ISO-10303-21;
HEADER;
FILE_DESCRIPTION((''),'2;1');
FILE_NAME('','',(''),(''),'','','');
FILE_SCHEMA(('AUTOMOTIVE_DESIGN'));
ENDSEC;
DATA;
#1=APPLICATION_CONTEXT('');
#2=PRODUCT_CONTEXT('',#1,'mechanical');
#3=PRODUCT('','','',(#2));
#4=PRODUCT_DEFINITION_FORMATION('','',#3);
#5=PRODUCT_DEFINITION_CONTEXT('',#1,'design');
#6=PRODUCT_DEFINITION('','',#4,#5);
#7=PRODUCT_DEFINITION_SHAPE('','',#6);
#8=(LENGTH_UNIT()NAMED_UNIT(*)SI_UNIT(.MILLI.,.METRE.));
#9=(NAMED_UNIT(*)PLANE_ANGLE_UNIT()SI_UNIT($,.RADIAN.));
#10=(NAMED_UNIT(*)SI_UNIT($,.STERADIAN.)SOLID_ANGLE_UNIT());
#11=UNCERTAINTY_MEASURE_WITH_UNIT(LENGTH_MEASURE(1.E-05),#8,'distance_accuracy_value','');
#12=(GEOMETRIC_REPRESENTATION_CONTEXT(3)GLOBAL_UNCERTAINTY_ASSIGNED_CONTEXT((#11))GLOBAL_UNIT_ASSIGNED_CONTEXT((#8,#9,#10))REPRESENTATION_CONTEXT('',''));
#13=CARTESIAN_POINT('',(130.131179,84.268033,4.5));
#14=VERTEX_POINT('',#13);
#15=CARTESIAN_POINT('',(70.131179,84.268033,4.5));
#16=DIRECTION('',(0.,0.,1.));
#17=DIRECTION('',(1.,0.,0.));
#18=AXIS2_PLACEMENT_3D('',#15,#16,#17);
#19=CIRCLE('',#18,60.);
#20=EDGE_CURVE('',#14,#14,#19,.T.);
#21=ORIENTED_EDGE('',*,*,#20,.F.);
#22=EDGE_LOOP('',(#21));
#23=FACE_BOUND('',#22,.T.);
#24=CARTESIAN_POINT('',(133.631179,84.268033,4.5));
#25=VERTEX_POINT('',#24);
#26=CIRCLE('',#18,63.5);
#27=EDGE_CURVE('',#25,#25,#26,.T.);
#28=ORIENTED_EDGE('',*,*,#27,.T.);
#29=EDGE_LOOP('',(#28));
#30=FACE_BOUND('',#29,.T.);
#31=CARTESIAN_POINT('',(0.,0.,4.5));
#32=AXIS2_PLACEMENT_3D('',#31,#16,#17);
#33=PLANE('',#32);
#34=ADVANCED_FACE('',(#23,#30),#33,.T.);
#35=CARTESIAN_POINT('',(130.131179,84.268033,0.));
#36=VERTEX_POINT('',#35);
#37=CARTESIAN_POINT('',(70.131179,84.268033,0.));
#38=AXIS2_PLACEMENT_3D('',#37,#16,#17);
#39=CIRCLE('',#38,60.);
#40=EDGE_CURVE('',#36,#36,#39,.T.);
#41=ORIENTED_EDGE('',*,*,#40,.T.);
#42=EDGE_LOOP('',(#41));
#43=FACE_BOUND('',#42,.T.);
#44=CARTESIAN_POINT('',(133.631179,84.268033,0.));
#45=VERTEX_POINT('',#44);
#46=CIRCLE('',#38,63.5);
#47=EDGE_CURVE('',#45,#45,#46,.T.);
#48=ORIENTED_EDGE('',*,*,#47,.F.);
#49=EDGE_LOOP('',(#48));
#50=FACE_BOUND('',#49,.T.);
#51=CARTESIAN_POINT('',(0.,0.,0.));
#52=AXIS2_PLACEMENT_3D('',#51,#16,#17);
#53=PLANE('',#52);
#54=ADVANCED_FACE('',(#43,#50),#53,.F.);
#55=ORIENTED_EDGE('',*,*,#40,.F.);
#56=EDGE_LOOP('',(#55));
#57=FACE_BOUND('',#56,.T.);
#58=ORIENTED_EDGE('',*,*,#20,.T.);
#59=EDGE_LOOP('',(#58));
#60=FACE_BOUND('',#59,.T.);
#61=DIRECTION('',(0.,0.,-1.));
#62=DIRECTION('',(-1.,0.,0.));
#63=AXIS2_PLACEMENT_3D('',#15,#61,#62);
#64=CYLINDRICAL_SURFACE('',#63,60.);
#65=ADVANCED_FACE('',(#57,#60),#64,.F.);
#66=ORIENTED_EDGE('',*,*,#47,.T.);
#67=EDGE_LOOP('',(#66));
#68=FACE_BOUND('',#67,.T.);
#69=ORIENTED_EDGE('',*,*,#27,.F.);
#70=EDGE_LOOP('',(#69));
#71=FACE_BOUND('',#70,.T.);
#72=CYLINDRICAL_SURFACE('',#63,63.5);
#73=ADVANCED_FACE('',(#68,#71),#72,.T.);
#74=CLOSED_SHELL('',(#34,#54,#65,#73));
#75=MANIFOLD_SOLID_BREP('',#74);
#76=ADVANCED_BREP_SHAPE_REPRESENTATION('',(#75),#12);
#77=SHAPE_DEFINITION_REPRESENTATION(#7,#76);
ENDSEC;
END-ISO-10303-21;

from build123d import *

# Parameters (mm, degrees)
SKETCH1_R           = 63.5
SKETCH1_R_2         = 60
BOSS_EXTRUDE2_DEPTH = 4.5


with BuildPart() as part:
    # Sketch1 → Boss-Extrude2 (new body)
    with BuildSketch(Plane.XY):
        with Locations((70.131179234, 84.268032687)):
            Circle(SKETCH1_R)
        with Locations((70.131179234, 84.268032687)):
            Circle(SKETCH1_R_2, mode=Mode.SUBTRACT)
    extrude(amount=BOSS_EXTRUDE2_DEPTH)


solid = part.part
